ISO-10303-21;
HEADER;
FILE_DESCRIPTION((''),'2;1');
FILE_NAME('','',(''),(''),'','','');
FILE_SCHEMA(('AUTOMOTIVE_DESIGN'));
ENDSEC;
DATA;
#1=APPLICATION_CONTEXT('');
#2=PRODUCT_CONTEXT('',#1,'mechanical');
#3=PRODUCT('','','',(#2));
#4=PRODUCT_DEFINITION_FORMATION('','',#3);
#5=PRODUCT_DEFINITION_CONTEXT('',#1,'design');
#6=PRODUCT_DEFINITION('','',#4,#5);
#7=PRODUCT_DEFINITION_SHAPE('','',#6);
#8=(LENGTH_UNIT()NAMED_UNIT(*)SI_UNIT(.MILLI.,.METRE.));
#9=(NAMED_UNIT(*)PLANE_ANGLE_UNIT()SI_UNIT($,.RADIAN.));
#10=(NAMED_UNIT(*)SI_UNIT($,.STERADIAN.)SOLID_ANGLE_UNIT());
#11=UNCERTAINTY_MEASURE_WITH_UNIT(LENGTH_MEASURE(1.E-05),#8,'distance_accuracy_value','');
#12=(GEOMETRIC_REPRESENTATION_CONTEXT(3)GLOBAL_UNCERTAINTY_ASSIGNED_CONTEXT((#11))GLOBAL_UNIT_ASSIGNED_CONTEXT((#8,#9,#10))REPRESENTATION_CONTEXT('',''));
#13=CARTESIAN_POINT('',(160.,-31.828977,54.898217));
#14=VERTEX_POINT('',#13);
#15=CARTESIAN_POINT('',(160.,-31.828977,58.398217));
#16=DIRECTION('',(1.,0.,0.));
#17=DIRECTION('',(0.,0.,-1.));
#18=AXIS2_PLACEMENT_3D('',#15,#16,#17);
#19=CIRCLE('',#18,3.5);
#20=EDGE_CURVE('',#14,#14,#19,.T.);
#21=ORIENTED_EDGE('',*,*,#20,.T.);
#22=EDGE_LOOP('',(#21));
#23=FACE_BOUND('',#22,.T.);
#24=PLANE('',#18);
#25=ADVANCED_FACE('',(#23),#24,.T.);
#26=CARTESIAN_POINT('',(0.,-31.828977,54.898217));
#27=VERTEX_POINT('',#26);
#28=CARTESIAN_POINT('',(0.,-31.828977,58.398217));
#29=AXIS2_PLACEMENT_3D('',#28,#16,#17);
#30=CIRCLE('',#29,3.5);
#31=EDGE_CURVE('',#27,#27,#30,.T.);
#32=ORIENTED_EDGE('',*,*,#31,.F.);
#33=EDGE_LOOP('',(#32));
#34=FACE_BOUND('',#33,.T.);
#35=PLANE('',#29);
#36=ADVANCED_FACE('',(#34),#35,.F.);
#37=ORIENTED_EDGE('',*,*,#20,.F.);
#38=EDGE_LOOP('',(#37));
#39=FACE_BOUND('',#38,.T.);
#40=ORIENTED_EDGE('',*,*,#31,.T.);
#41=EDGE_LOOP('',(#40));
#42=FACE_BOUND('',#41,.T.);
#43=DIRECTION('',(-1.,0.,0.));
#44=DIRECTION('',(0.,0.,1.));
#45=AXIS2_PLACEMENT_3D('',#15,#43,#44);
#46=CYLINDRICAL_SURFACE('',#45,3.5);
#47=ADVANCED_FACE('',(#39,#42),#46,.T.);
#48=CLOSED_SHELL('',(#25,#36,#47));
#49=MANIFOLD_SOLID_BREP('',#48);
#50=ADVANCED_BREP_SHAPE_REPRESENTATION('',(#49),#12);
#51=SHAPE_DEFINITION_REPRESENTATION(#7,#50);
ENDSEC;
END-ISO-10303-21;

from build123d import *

# Parameters (mm, degrees)
SKETCH1_R           = 3.5
BOSS_EXTRUDE1_DEPTH = 160


with BuildPart() as part:
    # Sketch1 → Boss-Extrude1 (new body)
    with BuildSketch(Plane(origin=(0, 0, 0), x_dir=(0, 0, -1), z_dir=(1, 0, 0))):
        with Locations((-58.398216819, -31.828976652)):
            Circle(SKETCH1_R)
    extrude(amount=BOSS_EXTRUDE1_DEPTH)


solid = part.part
